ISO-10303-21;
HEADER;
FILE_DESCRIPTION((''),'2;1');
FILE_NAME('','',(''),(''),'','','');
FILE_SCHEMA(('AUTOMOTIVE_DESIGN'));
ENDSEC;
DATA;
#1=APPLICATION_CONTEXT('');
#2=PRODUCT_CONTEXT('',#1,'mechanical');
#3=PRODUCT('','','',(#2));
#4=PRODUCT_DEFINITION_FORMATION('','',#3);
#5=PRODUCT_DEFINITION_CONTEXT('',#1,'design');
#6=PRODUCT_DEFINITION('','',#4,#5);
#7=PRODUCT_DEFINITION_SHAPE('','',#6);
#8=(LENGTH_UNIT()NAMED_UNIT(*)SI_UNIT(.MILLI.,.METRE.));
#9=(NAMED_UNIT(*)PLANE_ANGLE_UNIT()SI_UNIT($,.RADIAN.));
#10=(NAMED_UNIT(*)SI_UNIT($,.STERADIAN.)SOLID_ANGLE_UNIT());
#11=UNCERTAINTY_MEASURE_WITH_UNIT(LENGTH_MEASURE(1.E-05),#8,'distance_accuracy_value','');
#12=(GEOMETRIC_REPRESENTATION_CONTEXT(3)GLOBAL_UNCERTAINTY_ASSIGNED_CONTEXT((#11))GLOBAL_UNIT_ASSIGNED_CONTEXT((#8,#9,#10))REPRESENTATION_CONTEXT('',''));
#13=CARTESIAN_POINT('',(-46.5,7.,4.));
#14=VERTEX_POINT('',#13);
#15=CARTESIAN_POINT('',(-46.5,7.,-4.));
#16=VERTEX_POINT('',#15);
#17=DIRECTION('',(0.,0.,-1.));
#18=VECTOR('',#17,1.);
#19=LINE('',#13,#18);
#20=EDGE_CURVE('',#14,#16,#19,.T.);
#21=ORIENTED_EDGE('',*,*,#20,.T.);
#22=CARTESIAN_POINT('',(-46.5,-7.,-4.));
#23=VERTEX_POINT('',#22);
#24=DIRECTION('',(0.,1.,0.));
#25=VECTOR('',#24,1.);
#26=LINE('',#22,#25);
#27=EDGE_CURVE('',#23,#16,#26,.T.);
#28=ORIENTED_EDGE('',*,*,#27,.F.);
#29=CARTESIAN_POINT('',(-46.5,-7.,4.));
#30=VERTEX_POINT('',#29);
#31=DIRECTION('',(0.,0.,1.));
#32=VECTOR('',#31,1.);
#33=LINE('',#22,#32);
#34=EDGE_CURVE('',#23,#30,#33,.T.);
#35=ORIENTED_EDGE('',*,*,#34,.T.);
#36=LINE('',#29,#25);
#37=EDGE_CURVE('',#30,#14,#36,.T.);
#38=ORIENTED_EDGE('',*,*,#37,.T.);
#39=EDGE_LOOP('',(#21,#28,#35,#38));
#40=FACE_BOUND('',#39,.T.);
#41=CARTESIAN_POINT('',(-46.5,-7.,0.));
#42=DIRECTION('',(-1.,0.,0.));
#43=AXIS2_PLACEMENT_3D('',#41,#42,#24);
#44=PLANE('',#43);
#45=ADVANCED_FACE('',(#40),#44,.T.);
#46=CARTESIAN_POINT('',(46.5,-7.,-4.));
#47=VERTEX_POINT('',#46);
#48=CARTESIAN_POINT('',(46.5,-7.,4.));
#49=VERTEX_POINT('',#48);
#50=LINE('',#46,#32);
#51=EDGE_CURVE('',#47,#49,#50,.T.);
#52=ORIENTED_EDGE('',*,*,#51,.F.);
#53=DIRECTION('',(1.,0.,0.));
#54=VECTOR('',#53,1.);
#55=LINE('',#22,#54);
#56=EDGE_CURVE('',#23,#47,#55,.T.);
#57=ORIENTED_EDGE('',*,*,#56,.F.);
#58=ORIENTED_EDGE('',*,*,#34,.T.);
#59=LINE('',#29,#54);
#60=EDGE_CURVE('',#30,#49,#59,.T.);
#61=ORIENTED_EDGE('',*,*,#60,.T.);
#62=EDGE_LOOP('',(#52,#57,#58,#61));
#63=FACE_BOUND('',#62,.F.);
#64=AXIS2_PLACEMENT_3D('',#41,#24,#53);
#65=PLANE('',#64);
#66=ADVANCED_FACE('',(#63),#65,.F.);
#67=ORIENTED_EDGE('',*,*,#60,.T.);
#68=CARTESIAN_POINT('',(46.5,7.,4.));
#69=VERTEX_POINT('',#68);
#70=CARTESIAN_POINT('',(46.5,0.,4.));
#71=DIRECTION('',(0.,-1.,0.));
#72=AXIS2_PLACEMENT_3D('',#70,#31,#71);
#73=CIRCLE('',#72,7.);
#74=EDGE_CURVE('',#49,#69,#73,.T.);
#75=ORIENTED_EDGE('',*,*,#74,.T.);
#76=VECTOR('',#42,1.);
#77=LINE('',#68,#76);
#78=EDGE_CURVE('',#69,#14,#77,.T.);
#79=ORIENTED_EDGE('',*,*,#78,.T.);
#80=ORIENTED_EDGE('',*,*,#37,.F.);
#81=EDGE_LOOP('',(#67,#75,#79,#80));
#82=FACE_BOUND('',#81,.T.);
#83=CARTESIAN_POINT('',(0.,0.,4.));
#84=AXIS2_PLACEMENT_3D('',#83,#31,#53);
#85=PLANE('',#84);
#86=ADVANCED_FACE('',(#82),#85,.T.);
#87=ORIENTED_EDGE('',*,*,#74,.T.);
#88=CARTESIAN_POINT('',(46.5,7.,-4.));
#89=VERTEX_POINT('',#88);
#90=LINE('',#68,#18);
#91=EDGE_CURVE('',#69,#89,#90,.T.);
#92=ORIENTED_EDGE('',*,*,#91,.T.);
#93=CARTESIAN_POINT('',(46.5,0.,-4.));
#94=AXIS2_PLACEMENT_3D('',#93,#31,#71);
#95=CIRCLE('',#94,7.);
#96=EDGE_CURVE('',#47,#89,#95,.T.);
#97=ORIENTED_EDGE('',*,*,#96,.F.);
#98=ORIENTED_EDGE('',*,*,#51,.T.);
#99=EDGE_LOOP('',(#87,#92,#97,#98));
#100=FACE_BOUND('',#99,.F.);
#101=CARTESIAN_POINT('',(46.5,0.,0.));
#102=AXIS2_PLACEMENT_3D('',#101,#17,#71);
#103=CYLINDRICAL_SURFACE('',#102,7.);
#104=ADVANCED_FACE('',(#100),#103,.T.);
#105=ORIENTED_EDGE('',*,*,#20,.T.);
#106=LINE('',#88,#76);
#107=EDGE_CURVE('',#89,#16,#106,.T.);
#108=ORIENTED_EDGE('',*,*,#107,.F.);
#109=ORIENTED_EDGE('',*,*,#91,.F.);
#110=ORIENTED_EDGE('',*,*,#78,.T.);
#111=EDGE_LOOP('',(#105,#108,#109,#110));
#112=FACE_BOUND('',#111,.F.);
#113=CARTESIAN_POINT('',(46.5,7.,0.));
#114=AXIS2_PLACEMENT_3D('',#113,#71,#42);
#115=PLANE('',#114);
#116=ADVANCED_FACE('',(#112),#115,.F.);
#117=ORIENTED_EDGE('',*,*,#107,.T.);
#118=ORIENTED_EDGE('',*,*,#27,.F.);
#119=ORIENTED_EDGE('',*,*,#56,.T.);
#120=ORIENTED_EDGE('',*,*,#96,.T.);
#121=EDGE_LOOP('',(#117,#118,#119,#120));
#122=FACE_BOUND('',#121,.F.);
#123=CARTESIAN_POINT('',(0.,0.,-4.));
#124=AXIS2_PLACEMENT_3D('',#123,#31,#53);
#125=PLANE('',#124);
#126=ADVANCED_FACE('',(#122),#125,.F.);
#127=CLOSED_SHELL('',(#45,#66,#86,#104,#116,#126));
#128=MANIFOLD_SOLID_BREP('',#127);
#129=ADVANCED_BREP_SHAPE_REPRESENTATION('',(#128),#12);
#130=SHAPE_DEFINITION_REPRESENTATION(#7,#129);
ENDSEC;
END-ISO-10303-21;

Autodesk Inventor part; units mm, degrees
ref_plane "YZ Plane" through (0, 0, 0) normal (1, 0, 0) x (0, 1, 0)
ref_plane "XZ Plane" through (0, 0, 0) normal (0, 1, 0) x (-1, 0, 0)
ref_plane "XY Plane" through (0, 0, 0) normal (0, 0, 1) x (1, 0, 0)
sketch "스케치9" plane through (0, 0, 0) normal (0, 0, 1) x (1, 0, 0)
  line L0 (-46.5, 0) -> (46.5, 0) construction
  line L1 (-46.5, -7) -> (46.5, -7)
  line L2 (46.5, 7) -> (-46.5, 7)
  arc A0 (-46.5, 7) -> (-46.5, -7) centre (-46.5, 0) ccw
  arc A1 (46.5, -7) -> (46.5, 7) centre (46.5, 0) ccw
  line L3 (-46.5, 7) -> (-63.5, 7)
  line L4 (-63.5, 7) -> (-63.5, -7)
  line L5 (-63.5, -7) -> (-46.5, -7)
  line L6 (-46.5, -7) -> (-46.5, 7)
  point P0 (0, 0)
  point P1 (53.5, 0)
  point P2 (-46.5, -7)
  dimension "d40" = 14
  dimension "d44" = 100
extrude "돌출4" add sketch "스케치9" along normal mid plane 8 contours L6 L2 A1 L1
properties part number "KEY" material "SCM435"
